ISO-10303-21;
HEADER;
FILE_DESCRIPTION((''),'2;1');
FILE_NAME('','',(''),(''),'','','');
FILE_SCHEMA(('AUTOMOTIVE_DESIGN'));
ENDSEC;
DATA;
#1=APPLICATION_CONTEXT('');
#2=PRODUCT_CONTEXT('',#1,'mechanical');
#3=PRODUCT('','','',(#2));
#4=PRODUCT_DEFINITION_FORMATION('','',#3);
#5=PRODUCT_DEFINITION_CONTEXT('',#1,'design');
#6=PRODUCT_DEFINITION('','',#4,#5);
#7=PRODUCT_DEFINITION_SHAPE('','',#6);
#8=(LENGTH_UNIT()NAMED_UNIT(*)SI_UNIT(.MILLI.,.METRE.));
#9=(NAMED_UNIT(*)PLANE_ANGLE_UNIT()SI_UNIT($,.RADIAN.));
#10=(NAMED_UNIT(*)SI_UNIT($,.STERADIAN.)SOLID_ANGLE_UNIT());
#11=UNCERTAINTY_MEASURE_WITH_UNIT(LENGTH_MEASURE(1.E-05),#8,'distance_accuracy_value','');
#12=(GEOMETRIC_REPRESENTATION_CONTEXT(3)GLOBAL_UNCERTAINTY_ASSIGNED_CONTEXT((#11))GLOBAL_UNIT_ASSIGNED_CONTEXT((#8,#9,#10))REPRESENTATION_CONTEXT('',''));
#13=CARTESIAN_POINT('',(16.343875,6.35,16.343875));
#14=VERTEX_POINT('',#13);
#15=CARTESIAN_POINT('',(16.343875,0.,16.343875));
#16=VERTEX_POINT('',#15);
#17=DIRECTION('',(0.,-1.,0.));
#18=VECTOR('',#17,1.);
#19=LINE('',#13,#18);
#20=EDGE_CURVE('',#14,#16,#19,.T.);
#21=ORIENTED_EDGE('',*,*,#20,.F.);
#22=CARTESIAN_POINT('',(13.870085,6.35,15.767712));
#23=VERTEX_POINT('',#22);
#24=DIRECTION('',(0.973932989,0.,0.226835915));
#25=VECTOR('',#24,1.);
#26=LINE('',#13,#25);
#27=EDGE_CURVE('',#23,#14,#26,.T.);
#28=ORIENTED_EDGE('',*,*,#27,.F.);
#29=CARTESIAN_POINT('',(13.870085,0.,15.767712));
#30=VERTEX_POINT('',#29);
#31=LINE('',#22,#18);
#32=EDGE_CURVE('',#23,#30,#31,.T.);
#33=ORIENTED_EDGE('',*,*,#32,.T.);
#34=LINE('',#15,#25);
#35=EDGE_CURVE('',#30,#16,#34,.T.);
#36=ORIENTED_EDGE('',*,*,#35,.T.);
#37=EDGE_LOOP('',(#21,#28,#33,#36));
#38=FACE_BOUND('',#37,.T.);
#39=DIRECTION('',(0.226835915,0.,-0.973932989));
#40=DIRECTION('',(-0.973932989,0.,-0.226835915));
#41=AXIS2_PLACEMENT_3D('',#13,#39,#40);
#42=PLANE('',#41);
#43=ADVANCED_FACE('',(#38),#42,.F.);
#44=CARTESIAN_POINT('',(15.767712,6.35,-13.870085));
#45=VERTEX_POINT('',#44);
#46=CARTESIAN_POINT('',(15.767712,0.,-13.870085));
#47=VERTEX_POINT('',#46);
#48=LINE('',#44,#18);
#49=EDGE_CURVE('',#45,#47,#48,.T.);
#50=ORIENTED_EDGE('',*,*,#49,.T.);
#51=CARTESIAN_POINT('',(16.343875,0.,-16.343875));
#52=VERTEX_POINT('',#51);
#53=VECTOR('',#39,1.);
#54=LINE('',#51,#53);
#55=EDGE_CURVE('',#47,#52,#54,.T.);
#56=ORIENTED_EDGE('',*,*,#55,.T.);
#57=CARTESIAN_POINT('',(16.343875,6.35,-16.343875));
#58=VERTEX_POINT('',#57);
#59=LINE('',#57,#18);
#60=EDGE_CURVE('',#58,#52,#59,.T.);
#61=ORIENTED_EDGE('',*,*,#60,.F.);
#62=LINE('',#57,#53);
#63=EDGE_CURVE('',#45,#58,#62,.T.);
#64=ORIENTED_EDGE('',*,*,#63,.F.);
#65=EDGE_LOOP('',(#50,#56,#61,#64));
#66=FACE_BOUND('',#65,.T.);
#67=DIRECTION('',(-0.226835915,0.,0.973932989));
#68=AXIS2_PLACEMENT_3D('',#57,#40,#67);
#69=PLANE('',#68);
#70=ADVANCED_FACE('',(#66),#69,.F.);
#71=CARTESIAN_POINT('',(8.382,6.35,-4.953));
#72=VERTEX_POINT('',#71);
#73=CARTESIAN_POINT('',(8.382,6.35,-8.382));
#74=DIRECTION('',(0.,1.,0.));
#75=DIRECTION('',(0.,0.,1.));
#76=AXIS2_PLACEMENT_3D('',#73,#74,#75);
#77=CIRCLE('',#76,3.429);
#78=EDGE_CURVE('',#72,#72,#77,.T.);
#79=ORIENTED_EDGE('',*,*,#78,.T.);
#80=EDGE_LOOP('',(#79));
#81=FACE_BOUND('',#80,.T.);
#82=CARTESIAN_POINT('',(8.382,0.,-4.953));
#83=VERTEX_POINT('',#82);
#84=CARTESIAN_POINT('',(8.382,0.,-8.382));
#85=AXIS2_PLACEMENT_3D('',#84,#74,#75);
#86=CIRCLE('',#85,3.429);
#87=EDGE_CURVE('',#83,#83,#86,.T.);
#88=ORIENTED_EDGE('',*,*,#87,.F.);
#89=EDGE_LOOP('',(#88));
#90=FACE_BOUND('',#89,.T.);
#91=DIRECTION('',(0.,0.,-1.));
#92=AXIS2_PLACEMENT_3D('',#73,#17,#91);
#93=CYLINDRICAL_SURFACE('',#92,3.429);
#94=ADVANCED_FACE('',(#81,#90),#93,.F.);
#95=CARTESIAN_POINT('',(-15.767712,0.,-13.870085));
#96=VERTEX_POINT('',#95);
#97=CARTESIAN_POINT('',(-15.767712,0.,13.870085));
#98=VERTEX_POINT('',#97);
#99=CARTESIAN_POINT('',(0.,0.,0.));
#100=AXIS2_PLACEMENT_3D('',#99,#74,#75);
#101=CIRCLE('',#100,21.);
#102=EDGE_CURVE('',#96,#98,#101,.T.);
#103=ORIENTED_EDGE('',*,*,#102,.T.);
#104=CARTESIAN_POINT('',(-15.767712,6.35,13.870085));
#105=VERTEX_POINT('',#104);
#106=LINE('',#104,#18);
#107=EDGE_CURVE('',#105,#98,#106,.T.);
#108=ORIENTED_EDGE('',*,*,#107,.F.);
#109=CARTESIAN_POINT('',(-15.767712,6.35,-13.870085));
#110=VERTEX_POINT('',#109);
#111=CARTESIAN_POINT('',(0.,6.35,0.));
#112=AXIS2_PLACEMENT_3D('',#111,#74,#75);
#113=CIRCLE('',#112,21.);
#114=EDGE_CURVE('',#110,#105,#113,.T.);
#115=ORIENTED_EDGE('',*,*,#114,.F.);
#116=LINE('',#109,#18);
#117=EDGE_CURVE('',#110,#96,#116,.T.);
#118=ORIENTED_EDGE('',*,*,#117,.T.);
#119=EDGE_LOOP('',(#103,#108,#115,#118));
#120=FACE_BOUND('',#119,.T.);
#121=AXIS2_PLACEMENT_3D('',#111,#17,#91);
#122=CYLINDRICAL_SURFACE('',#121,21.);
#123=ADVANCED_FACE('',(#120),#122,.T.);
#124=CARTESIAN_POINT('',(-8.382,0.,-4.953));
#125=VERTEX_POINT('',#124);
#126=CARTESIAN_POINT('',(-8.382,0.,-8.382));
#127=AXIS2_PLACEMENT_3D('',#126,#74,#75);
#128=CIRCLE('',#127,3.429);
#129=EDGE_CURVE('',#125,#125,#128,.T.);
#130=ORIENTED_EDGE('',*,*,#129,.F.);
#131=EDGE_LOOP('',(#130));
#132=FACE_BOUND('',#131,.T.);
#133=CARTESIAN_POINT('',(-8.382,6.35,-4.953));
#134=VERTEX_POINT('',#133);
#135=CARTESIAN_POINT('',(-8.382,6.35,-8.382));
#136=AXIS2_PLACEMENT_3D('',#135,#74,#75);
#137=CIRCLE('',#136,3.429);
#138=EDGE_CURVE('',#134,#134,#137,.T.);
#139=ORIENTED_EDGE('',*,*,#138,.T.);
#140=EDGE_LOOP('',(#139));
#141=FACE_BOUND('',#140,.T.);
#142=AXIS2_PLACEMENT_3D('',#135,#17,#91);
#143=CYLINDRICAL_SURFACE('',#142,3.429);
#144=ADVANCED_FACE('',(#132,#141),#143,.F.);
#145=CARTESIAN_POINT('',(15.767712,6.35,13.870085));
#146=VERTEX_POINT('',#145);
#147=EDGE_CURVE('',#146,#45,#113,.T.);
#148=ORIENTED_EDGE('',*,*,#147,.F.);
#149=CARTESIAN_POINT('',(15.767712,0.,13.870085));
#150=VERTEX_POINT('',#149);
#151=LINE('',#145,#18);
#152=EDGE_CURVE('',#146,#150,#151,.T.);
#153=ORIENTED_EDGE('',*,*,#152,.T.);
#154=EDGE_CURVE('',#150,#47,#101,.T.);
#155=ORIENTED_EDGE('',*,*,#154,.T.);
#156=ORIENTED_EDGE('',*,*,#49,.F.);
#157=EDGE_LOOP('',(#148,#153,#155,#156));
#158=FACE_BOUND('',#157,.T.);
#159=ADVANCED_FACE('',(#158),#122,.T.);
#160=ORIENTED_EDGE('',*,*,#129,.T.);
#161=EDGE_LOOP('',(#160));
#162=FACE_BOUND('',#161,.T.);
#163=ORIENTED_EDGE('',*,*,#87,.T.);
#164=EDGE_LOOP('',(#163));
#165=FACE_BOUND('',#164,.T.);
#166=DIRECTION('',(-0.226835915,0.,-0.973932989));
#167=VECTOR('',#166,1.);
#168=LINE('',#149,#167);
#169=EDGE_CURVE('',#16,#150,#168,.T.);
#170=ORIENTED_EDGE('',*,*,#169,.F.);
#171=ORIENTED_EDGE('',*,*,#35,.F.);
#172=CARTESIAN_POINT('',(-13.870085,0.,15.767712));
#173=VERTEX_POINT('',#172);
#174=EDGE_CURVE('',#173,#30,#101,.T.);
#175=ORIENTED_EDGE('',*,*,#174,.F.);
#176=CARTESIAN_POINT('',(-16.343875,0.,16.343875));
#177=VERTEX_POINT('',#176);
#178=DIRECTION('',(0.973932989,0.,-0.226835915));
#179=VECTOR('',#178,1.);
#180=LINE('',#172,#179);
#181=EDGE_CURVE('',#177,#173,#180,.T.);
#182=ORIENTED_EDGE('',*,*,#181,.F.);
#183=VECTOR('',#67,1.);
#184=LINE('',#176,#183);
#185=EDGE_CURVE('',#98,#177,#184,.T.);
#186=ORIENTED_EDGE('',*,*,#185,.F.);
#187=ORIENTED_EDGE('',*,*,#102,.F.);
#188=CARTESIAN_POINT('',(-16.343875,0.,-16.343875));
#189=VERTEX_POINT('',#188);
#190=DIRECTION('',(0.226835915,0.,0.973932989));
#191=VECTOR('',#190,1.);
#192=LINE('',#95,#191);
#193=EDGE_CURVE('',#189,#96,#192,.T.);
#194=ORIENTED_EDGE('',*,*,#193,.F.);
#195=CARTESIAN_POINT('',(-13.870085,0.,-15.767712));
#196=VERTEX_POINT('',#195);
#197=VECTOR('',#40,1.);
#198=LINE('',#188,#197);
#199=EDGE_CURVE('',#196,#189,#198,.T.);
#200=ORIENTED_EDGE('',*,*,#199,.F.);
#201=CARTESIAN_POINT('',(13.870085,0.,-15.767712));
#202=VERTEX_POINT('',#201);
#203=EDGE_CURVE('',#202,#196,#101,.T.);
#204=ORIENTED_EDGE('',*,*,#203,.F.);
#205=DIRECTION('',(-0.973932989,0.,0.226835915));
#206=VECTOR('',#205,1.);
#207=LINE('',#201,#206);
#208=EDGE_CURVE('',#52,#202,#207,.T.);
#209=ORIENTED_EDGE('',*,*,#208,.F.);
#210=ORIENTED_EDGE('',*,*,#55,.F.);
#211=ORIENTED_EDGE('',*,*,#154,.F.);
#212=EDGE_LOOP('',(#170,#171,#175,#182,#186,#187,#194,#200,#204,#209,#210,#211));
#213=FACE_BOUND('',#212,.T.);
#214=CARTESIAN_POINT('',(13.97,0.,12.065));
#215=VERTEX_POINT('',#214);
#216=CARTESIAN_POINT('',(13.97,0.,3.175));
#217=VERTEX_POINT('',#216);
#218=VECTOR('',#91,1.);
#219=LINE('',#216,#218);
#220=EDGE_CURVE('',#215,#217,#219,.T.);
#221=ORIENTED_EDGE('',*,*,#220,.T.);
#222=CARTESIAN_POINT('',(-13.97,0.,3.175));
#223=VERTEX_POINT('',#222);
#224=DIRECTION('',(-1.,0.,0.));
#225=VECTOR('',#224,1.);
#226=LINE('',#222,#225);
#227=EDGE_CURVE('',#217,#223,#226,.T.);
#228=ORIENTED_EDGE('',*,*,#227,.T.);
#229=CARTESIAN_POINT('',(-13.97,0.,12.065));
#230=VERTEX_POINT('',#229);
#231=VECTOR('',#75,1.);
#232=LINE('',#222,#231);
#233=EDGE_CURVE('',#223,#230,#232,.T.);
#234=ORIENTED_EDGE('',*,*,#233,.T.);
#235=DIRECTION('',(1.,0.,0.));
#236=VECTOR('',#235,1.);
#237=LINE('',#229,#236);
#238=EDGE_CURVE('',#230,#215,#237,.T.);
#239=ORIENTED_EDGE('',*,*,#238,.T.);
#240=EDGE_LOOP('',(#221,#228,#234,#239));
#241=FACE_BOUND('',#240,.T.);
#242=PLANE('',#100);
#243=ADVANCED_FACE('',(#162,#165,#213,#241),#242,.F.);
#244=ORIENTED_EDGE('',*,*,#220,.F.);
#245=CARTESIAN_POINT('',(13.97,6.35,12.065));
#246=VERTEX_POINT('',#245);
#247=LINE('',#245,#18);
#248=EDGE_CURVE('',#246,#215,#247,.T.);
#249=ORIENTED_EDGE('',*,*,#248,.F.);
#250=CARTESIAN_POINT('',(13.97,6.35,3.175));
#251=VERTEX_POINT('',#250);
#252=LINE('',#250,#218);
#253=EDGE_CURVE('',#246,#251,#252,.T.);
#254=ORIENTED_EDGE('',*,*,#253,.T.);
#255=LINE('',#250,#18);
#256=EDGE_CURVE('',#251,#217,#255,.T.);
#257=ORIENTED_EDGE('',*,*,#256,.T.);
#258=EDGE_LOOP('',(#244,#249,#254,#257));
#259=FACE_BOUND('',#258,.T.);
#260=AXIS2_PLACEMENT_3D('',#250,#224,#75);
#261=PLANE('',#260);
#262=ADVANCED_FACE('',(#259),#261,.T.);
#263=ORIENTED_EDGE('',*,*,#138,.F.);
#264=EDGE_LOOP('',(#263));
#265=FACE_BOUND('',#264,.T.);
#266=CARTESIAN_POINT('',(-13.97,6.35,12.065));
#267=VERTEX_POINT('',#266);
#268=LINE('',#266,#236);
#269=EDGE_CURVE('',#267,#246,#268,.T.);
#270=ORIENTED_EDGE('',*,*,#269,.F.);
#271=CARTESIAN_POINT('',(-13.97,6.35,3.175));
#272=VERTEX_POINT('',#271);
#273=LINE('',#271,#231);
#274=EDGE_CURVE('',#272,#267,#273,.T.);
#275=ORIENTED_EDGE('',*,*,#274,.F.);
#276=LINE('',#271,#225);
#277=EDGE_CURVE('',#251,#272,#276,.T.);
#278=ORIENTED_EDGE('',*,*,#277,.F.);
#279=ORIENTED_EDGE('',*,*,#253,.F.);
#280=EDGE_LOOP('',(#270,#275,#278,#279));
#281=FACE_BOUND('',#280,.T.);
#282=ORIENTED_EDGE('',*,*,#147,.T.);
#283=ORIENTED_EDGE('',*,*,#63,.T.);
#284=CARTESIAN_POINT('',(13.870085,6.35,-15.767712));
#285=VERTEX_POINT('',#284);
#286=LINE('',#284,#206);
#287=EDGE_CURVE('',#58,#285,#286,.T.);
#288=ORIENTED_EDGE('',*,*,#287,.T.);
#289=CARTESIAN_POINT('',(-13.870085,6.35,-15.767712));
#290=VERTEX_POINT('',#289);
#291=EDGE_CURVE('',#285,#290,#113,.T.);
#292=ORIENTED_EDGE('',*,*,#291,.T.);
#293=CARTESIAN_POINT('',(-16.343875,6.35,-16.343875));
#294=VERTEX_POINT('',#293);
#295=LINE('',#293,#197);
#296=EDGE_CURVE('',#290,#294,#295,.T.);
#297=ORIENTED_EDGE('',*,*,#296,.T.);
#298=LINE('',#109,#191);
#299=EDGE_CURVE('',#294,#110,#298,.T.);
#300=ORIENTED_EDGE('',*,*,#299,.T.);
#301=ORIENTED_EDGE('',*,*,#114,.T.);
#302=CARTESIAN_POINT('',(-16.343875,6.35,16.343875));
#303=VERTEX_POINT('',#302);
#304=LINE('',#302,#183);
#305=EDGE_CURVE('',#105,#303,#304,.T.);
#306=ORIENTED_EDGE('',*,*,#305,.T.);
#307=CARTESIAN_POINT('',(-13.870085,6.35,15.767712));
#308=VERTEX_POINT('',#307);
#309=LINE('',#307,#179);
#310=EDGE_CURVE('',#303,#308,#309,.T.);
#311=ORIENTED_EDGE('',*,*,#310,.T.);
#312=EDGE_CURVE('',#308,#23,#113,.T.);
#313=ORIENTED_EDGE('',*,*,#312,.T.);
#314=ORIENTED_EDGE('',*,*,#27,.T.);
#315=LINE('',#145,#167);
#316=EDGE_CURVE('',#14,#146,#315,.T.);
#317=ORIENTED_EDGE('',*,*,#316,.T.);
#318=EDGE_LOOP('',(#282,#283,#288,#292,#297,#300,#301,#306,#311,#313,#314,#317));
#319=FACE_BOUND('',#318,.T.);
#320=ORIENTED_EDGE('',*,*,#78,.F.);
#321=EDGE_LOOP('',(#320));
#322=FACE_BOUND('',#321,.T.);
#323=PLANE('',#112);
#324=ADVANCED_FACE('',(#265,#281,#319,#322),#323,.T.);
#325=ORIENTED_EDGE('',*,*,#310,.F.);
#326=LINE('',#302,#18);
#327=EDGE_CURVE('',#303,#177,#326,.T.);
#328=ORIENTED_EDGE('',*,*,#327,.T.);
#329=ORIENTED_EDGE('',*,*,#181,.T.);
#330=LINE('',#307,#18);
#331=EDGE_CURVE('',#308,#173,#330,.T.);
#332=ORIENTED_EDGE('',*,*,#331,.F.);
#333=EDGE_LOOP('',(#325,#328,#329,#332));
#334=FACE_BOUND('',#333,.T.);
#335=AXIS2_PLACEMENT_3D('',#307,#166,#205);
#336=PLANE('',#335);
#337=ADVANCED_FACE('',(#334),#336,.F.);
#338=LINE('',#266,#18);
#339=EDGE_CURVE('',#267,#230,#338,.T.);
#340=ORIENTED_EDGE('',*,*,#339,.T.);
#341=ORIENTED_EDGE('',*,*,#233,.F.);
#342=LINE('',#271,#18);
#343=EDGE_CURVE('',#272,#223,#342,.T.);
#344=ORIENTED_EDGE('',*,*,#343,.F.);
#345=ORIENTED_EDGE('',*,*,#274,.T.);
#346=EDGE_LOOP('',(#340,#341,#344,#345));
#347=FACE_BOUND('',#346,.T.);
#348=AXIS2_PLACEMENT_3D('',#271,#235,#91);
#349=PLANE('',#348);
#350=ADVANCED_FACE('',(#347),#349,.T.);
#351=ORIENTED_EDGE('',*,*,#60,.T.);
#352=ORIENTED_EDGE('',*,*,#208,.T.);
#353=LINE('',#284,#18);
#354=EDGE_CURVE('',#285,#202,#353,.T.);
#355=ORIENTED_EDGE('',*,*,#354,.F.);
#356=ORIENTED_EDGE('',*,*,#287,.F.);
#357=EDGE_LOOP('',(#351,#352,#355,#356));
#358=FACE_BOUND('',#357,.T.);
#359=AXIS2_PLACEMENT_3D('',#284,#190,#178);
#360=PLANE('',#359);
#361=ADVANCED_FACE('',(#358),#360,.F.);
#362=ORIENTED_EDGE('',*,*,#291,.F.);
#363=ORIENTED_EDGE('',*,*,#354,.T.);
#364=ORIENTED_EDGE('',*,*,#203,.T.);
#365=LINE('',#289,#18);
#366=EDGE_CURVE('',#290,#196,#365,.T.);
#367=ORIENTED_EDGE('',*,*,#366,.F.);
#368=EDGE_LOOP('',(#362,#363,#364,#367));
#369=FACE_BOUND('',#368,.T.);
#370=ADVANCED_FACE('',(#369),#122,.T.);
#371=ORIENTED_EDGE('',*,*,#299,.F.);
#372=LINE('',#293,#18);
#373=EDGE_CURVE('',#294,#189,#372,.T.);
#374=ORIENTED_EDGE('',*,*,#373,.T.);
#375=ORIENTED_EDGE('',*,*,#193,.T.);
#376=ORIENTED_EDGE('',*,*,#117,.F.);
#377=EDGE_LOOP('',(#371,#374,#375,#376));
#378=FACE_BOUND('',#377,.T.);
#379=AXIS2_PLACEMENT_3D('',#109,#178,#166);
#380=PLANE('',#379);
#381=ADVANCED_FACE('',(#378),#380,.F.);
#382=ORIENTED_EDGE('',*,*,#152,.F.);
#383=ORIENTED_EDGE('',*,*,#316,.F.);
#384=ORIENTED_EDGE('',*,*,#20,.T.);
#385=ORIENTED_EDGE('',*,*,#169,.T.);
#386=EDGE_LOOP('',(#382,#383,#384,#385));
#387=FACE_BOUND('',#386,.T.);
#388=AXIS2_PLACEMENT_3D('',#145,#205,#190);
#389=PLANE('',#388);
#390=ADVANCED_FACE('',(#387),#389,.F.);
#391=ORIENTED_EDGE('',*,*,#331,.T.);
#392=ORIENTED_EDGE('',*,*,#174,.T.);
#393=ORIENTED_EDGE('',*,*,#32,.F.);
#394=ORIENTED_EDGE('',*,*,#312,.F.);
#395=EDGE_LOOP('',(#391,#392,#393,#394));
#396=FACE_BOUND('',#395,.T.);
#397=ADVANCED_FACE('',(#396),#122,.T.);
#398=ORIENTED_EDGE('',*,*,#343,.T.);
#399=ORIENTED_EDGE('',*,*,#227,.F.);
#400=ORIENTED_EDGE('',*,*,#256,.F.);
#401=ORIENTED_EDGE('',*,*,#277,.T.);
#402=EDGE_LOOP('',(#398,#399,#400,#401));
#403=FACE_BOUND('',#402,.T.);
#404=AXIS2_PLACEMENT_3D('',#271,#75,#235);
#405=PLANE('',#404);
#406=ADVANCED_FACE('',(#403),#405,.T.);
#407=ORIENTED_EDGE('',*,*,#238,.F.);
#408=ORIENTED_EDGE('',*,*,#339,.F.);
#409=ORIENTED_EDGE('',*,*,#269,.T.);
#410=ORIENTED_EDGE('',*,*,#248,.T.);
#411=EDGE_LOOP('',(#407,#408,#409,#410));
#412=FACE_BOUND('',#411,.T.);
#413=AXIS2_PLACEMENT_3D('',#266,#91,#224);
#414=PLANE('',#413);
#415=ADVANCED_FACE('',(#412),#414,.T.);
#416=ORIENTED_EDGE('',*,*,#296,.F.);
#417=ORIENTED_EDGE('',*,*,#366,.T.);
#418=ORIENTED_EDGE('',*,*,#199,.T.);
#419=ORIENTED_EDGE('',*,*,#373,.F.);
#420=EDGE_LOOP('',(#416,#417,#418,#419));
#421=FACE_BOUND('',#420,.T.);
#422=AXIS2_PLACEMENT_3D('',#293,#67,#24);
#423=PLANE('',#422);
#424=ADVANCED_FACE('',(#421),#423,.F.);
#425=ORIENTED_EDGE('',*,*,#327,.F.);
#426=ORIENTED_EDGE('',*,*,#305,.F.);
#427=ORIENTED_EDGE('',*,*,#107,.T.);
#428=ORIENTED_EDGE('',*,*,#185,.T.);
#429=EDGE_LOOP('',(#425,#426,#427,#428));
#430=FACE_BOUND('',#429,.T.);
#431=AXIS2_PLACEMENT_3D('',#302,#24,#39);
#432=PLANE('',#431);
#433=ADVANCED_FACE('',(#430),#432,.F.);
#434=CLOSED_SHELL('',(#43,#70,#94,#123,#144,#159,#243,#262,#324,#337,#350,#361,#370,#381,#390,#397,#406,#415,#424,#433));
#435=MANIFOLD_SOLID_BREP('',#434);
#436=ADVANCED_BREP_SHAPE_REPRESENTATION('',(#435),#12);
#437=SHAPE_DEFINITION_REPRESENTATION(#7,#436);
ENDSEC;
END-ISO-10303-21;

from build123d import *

# Parameters (mm, degrees)
SKETCH1_R           = 3.429
SKETCH1_W           = 27.94
SKETCH1_H           = 8.89
BOSS_EXTRUDE1_DEPTH = 6.35


with BuildPart() as part:
    # Sketch1 → Boss-Extrude1 (new body)
    with BuildSketch(Plane(origin=(0, 0, 0), x_dir=(1, 0, 0), z_dir=(0, 1, 0))):
        with BuildLine():
            Line((13.870085237, 15.767711804), (16.343875029, 16.343875029))
            Line((16.343875029, 16.343875029), (15.767711804, 13.870085237))
            ThreePointArc((15.767711804, 13.870085237), (21, 0), (15.767711804, -13.870085237))
            Line((15.767711804, -13.870085237), (16.343875029, -16.343875029))
            Line((16.343875029, -16.343875029), (13.870085237, -15.767711804))
            ThreePointArc((13.870085237, -15.767711804), (0, -21), (-13.870085237, -15.767711804))
            Line((-13.870085237, -15.767711804), (-16.343875029, -16.343875029))
            Line((-16.343875029, -16.343875029), (-15.767711804, -13.870085237))
            ThreePointArc((-15.767711804, -13.870085237), (-21, 0), (-15.767711804, 13.870085237))
            Line((-15.767711804, 13.870085237), (-16.343875029, 16.343875029))
            Line((-16.343875029, 16.343875029), (-13.870085237, 15.767711804))
            ThreePointArc((-13.870085237, 15.767711804), (0, 21), (13.870085237, 15.767711804))
        make_face()
        with Locations(Location((-8.382, 8.382, 0), (0, 0, 270))):
            Circle(SKETCH1_R, mode=Mode.SUBTRACT)
        with Locations(Location((8.382, 8.382, 0), (0, 0, 270))):
            Circle(SKETCH1_R, mode=Mode.SUBTRACT)
        with Locations((0, -7.62)):
            Rectangle(SKETCH1_W, SKETCH1_H, mode=Mode.SUBTRACT)
    extrude(amount=BOSS_EXTRUDE1_DEPTH)


solid = part.part
